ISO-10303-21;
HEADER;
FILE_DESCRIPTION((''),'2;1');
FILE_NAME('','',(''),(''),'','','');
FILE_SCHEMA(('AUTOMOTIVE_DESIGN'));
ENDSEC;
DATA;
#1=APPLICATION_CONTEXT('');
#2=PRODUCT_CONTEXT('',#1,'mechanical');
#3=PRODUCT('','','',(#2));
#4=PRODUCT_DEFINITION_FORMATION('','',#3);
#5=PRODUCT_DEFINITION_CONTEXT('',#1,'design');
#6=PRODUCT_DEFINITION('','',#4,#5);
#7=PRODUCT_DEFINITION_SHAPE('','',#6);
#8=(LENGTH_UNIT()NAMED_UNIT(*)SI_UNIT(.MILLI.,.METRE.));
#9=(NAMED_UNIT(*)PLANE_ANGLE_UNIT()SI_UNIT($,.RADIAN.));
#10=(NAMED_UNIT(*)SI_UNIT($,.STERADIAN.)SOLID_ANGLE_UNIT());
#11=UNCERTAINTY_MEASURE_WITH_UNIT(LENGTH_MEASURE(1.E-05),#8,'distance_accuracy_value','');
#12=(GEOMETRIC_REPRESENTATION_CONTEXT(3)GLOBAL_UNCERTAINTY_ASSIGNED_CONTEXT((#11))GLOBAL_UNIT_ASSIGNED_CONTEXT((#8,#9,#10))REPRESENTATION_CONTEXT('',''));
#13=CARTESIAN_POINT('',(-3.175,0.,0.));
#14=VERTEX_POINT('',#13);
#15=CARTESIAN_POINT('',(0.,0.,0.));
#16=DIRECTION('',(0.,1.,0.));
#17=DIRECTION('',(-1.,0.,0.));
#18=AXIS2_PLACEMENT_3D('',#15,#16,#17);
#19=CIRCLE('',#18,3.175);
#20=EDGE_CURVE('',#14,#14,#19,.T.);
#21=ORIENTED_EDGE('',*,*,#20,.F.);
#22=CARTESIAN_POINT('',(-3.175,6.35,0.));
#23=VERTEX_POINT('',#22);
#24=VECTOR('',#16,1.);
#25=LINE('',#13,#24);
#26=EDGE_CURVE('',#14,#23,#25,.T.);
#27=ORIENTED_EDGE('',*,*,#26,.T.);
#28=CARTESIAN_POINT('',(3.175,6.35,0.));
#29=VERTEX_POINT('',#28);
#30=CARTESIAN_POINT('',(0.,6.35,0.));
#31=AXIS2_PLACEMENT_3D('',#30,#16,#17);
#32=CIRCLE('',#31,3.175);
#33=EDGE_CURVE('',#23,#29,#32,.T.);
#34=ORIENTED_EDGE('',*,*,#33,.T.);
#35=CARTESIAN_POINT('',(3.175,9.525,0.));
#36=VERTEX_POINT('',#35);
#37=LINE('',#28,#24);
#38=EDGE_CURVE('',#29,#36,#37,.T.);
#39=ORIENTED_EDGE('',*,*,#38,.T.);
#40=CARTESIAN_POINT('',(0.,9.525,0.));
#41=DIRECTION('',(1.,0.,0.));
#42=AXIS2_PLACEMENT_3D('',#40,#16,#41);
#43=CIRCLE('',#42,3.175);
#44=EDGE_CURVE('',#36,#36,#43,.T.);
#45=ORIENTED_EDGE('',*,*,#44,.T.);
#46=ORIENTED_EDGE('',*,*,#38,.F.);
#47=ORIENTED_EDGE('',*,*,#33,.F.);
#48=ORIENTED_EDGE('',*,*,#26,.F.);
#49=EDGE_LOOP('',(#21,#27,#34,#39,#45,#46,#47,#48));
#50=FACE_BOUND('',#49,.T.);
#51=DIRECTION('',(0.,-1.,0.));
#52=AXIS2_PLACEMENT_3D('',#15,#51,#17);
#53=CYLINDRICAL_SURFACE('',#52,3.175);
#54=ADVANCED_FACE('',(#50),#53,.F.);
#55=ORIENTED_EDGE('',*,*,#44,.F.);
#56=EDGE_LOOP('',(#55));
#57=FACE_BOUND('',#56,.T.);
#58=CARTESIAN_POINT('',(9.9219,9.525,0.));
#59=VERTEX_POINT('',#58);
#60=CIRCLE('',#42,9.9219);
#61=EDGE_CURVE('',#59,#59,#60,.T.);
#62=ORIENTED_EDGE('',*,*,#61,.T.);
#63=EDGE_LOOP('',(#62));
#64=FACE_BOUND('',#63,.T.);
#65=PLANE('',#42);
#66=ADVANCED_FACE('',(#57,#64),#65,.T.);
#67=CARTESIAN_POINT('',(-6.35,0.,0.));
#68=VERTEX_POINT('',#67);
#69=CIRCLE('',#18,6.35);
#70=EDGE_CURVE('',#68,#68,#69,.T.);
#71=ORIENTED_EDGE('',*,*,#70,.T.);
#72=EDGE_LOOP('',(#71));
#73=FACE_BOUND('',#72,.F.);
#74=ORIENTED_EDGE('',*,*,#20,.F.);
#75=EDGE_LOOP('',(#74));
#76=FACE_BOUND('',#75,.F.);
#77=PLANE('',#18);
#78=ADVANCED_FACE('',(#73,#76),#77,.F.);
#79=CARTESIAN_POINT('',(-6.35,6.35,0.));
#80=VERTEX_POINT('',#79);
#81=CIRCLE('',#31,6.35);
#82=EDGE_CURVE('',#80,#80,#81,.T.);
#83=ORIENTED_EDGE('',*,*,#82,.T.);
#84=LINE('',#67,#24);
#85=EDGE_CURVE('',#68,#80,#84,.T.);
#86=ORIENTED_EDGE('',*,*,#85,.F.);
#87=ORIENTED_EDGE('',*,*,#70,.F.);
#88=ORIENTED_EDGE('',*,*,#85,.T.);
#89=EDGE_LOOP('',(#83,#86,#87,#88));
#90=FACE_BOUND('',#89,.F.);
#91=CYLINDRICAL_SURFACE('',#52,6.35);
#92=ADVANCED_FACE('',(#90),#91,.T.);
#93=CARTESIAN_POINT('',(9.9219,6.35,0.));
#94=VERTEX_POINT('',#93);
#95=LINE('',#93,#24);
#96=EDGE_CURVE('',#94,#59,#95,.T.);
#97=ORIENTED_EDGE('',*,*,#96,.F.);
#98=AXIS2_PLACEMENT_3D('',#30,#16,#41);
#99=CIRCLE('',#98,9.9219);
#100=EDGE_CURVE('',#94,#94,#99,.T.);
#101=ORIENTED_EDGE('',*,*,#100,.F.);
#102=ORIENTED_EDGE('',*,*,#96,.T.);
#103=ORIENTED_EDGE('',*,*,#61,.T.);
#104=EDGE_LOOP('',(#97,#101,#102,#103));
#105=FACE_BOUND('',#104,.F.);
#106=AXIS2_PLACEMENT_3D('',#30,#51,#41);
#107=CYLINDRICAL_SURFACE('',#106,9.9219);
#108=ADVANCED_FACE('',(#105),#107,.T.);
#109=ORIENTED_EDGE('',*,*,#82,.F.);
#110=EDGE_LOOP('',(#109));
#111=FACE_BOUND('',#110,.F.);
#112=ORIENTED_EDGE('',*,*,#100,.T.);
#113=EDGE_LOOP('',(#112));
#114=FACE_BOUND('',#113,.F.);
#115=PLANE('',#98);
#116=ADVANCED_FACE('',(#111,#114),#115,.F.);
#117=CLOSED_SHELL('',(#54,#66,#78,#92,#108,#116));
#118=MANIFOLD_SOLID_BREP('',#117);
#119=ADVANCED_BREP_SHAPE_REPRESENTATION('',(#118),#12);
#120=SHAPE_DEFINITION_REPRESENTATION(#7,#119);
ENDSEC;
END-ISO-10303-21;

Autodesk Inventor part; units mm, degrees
ref_plane "YZ Plane" through (0, 0, 0) normal (1, 0, 0) x (0, 1, 0)
ref_plane "XZ Plane" through (0, 0, 0) normal (0, 1, 0) x (-1, 0, 0)
ref_plane "XY Plane" through (0, 0, 0) normal (0, 0, 1) x (1, 0, 0)
sketch "Sketch1" plane through (0, 0, 0) normal (0, 1, 0) x (-1, 0, 0)
  circle A0 centre (0, 0) radius 6.35
  circle A1 centre (0, 0) radius 3.175
  dimension "d0" = 12.7
  dimension "d1" = 6.35
extrude "Extrusion1" add sketch "Sketch1" along normal blind 6.35
sketch "Sketch2" plane through (0, 6.35, 0) normal (0, 1, 0) x (1, 0, 0)
  circle A0 centre (0, 0) radius 3.175 projected
  circle A1 centre (0, 0) radius 9.9219
  dimension "d4" = 19.8438
extrude "Extrusion2" add sketch "Sketch2" along normal blind 3.175
properties part number "stepperShaftCollar" material "Bronze, Cast"
